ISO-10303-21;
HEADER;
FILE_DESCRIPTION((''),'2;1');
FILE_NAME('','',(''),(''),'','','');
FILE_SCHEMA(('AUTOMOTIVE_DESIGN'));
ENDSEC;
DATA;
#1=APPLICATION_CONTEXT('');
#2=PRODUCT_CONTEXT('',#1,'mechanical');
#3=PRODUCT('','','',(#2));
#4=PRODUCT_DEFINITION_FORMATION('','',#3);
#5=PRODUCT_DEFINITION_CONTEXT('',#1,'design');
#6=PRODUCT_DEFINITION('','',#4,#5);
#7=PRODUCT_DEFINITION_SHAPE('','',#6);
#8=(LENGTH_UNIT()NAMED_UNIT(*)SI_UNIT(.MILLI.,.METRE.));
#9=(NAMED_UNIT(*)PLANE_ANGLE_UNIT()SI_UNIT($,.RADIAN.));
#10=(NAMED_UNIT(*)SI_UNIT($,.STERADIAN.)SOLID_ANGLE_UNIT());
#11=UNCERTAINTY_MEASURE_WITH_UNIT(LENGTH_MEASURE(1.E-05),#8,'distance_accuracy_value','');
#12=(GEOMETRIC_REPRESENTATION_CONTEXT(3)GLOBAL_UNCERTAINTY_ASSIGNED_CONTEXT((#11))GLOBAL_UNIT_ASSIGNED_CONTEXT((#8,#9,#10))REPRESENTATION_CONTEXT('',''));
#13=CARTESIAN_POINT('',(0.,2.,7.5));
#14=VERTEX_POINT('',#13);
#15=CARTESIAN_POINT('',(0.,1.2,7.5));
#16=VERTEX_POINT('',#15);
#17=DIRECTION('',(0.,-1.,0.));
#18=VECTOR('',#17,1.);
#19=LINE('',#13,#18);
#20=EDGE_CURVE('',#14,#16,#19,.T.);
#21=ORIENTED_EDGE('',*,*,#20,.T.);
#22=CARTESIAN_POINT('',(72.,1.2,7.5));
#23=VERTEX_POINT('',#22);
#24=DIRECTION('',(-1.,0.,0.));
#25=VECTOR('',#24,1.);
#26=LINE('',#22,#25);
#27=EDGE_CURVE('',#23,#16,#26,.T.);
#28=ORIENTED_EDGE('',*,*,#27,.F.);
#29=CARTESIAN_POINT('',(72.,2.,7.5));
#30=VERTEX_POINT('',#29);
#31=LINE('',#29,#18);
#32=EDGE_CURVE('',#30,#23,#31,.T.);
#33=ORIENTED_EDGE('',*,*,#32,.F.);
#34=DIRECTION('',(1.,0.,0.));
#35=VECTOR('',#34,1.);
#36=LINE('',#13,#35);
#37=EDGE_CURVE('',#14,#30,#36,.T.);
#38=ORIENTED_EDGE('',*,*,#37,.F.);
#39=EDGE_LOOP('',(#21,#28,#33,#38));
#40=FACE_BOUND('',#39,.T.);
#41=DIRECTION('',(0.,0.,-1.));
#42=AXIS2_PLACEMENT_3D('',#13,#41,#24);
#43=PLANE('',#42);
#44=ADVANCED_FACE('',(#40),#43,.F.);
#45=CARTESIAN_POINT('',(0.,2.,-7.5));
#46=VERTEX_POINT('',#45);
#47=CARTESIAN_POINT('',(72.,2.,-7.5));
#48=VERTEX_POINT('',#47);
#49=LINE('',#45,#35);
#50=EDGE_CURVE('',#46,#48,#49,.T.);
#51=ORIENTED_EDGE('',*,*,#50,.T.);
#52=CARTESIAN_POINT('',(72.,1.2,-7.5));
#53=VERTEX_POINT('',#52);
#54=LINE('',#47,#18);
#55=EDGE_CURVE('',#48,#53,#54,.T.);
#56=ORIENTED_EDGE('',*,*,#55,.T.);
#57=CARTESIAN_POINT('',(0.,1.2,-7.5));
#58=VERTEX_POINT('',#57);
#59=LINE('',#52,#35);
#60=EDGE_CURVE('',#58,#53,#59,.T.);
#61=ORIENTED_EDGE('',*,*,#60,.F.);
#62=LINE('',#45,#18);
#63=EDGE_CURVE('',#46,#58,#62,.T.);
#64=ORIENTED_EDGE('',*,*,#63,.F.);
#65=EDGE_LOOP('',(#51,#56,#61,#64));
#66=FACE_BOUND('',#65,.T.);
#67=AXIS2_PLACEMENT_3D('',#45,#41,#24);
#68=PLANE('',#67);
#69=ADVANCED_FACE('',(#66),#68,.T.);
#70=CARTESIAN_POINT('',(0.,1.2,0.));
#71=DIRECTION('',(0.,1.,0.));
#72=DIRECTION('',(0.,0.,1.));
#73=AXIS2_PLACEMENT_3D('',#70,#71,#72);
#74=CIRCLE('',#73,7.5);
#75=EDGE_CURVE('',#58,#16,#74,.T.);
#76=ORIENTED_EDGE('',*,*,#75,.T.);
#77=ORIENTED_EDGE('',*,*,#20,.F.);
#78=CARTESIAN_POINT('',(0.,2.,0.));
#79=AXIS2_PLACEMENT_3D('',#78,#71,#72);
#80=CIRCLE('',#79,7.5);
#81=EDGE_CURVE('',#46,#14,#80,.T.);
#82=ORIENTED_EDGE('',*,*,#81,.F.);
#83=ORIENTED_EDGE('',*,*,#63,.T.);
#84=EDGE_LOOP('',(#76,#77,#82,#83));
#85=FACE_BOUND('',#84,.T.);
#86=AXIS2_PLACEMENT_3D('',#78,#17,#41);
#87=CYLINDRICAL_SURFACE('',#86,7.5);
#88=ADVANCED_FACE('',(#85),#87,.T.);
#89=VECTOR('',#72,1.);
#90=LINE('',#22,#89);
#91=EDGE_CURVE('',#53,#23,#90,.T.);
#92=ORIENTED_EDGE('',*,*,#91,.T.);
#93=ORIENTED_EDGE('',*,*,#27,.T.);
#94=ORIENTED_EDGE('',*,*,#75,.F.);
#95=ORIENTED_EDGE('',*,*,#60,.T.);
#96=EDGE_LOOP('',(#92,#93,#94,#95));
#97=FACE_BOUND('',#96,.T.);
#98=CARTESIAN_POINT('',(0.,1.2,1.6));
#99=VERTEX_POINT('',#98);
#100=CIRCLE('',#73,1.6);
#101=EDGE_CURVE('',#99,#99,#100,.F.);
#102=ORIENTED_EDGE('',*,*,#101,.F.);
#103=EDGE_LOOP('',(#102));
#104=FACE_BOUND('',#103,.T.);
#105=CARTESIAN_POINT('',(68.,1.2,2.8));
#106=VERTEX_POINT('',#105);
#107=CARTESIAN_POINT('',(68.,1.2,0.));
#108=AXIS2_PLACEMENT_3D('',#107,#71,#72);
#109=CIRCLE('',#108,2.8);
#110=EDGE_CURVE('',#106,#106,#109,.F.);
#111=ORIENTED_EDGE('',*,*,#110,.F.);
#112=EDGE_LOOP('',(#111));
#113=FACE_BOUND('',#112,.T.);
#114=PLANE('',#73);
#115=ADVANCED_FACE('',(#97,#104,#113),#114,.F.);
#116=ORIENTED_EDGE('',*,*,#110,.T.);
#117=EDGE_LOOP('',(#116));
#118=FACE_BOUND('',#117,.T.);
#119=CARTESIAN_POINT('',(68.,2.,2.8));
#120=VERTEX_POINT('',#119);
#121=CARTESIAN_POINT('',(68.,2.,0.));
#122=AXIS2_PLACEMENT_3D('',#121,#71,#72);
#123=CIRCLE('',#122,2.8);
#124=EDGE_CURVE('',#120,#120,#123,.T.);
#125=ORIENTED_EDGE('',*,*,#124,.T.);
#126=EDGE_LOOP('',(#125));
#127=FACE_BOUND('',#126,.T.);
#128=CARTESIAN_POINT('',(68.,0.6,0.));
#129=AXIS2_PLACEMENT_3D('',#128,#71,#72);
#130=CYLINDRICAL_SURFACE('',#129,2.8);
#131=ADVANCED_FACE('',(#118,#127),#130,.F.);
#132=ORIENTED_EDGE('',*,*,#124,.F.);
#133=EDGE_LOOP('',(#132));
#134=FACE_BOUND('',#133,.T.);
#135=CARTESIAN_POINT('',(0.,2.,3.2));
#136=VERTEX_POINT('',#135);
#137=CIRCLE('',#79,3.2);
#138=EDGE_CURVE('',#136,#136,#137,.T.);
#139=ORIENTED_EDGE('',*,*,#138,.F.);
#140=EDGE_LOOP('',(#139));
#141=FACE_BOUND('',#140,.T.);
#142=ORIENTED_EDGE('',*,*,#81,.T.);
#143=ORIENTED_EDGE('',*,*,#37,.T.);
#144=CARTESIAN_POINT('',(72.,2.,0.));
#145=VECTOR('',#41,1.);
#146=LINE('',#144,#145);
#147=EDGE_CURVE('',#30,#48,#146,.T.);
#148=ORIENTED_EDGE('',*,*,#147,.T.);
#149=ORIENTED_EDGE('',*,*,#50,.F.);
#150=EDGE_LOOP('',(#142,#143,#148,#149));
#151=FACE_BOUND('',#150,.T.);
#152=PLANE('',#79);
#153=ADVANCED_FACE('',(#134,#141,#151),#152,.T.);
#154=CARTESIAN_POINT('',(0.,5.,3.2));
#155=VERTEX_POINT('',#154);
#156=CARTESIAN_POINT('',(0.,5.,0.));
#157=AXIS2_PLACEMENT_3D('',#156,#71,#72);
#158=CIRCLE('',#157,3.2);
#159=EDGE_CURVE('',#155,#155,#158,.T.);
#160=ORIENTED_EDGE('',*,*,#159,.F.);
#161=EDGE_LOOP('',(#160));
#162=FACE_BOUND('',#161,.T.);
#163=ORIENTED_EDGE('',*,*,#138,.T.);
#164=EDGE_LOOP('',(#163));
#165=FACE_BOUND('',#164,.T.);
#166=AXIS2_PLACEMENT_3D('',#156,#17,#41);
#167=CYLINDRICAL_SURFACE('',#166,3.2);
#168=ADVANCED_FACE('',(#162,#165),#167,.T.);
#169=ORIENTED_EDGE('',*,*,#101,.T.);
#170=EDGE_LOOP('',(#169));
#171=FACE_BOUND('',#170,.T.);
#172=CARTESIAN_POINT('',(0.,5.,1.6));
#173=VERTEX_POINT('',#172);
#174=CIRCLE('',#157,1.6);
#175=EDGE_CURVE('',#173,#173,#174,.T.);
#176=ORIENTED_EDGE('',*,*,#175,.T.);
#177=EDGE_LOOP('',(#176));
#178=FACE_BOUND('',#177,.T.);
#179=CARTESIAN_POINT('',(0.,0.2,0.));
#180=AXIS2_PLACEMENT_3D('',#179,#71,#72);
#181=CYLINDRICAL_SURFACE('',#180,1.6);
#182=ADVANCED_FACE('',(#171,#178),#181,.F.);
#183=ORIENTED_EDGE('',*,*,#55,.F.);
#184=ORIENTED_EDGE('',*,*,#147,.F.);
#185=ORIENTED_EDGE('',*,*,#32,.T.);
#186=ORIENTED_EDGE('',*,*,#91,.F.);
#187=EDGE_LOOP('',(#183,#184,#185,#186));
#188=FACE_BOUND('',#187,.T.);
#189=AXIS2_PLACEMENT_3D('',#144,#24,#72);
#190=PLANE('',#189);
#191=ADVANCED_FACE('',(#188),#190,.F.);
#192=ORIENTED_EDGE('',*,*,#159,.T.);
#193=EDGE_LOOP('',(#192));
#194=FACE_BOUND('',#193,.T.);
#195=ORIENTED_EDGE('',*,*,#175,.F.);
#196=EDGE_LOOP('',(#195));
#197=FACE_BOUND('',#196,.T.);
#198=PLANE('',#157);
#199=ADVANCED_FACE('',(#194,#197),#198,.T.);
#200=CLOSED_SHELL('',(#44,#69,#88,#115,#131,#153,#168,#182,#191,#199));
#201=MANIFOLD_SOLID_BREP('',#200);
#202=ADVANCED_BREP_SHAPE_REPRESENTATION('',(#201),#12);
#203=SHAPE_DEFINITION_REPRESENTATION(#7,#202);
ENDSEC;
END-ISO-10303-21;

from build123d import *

# Parameters (mm, degrees)
BOSS_EXTRUDE1_DEPTH = 2
SKETCH2_R           = 1.6
CUT_EXTRUDE1_DEPTH  = 1.8
SKETCH3_R           = 0.8
CUT_EXTRUDE2_DEPTH  = 3
SKETCH4_R           = 2.8
CUT_EXTRUDE3_DEPTH  = 1.4
SKETCH5_R           = 3.2
SKETCH5_R_2         = 1.6
BOSS_EXTRUDE2_DEPTH = 3
SKETCH6_W           = 80.029728654
SKETCH6_H           = 15
CUT_EXTRUDE4_DEPTH  = 1.2


with BuildPart() as part:
    # Sketch1 → Boss-Extrude1 (new body)
    with BuildSketch(Plane(origin=(0, 0, 0), x_dir=(1, 0, 0), z_dir=(0, 1, 0))):
        with BuildLine():
            ThreePointArc((7.5, 0), (5.303300859, -5.303300859), (0, -7.5))
            Line((0, -7.5), (72, -7.5))
            Line((72, -7.5), (72, 7.5))
            Line((72, 7.5), (0, 7.5))
            ThreePointArc((0, 7.5), (5.303300859, 5.303300859), (7.5, 0))
        make_face()
        with BuildLine():
            ThreePointArc((0, 7.5), (-7.5, 0), (0, -7.5))
            Line((0, -7.5), (0, 7.5))
        make_face()
        with BuildLine():
            Line((0, 7.5), (0, -7.5))
            ThreePointArc((0, -7.5), (5.303300859, -5.303300859), (7.5, 0))
            ThreePointArc((7.5, 0), (5.303300859, 5.303300859), (0, 7.5))
        make_face()
    extrude(amount=BOSS_EXTRUDE1_DEPTH)

    # Sketch2 → Cut-Extrude1 (cut)
    with BuildSketch(Plane(origin=(0, 2, 0), x_dir=(1, 0, 0), z_dir=(0, 1, 0))):
        Circle(SKETCH2_R)
    extrude(amount=-CUT_EXTRUDE1_DEPTH, mode=Mode.SUBTRACT)

    # Sketch3 → Cut-Extrude2 (cut)
    with BuildSketch(Plane(origin=(0, 0.2, 0), x_dir=(1, 0, 0), z_dir=(0, 1, 0))):
        Circle(SKETCH3_R)
    extrude(amount=-CUT_EXTRUDE2_DEPTH, mode=Mode.SUBTRACT)

    # Sketch4 → Cut-Extrude3 (cut)
    with BuildSketch(Plane(origin=(0, 2, 0), x_dir=(1, 0, 0), z_dir=(0, 1, 0))):
        with Locations((68, 0)):
            Circle(SKETCH4_R)
    extrude(amount=-CUT_EXTRUDE3_DEPTH, mode=Mode.SUBTRACT)

    # Sketch5 → Boss-Extrude2 (add)
    with BuildSketch(Plane(origin=(0, 2, 0), x_dir=(1, 0, 0), z_dir=(0, 1, 0))):
        Circle(SKETCH5_R)
        Circle(SKETCH5_R_2, mode=Mode.SUBTRACT)
    extrude(amount=BOSS_EXTRUDE2_DEPTH)

    # Sketch6 → Cut-Extrude4 (cut)
    with BuildSketch(Plane.XZ):
        with Locations((31.985135673, 0)):
            Rectangle(SKETCH6_W, SKETCH6_H)
    extrude(amount=-CUT_EXTRUDE4_DEPTH, mode=Mode.SUBTRACT)


solid = part.part
